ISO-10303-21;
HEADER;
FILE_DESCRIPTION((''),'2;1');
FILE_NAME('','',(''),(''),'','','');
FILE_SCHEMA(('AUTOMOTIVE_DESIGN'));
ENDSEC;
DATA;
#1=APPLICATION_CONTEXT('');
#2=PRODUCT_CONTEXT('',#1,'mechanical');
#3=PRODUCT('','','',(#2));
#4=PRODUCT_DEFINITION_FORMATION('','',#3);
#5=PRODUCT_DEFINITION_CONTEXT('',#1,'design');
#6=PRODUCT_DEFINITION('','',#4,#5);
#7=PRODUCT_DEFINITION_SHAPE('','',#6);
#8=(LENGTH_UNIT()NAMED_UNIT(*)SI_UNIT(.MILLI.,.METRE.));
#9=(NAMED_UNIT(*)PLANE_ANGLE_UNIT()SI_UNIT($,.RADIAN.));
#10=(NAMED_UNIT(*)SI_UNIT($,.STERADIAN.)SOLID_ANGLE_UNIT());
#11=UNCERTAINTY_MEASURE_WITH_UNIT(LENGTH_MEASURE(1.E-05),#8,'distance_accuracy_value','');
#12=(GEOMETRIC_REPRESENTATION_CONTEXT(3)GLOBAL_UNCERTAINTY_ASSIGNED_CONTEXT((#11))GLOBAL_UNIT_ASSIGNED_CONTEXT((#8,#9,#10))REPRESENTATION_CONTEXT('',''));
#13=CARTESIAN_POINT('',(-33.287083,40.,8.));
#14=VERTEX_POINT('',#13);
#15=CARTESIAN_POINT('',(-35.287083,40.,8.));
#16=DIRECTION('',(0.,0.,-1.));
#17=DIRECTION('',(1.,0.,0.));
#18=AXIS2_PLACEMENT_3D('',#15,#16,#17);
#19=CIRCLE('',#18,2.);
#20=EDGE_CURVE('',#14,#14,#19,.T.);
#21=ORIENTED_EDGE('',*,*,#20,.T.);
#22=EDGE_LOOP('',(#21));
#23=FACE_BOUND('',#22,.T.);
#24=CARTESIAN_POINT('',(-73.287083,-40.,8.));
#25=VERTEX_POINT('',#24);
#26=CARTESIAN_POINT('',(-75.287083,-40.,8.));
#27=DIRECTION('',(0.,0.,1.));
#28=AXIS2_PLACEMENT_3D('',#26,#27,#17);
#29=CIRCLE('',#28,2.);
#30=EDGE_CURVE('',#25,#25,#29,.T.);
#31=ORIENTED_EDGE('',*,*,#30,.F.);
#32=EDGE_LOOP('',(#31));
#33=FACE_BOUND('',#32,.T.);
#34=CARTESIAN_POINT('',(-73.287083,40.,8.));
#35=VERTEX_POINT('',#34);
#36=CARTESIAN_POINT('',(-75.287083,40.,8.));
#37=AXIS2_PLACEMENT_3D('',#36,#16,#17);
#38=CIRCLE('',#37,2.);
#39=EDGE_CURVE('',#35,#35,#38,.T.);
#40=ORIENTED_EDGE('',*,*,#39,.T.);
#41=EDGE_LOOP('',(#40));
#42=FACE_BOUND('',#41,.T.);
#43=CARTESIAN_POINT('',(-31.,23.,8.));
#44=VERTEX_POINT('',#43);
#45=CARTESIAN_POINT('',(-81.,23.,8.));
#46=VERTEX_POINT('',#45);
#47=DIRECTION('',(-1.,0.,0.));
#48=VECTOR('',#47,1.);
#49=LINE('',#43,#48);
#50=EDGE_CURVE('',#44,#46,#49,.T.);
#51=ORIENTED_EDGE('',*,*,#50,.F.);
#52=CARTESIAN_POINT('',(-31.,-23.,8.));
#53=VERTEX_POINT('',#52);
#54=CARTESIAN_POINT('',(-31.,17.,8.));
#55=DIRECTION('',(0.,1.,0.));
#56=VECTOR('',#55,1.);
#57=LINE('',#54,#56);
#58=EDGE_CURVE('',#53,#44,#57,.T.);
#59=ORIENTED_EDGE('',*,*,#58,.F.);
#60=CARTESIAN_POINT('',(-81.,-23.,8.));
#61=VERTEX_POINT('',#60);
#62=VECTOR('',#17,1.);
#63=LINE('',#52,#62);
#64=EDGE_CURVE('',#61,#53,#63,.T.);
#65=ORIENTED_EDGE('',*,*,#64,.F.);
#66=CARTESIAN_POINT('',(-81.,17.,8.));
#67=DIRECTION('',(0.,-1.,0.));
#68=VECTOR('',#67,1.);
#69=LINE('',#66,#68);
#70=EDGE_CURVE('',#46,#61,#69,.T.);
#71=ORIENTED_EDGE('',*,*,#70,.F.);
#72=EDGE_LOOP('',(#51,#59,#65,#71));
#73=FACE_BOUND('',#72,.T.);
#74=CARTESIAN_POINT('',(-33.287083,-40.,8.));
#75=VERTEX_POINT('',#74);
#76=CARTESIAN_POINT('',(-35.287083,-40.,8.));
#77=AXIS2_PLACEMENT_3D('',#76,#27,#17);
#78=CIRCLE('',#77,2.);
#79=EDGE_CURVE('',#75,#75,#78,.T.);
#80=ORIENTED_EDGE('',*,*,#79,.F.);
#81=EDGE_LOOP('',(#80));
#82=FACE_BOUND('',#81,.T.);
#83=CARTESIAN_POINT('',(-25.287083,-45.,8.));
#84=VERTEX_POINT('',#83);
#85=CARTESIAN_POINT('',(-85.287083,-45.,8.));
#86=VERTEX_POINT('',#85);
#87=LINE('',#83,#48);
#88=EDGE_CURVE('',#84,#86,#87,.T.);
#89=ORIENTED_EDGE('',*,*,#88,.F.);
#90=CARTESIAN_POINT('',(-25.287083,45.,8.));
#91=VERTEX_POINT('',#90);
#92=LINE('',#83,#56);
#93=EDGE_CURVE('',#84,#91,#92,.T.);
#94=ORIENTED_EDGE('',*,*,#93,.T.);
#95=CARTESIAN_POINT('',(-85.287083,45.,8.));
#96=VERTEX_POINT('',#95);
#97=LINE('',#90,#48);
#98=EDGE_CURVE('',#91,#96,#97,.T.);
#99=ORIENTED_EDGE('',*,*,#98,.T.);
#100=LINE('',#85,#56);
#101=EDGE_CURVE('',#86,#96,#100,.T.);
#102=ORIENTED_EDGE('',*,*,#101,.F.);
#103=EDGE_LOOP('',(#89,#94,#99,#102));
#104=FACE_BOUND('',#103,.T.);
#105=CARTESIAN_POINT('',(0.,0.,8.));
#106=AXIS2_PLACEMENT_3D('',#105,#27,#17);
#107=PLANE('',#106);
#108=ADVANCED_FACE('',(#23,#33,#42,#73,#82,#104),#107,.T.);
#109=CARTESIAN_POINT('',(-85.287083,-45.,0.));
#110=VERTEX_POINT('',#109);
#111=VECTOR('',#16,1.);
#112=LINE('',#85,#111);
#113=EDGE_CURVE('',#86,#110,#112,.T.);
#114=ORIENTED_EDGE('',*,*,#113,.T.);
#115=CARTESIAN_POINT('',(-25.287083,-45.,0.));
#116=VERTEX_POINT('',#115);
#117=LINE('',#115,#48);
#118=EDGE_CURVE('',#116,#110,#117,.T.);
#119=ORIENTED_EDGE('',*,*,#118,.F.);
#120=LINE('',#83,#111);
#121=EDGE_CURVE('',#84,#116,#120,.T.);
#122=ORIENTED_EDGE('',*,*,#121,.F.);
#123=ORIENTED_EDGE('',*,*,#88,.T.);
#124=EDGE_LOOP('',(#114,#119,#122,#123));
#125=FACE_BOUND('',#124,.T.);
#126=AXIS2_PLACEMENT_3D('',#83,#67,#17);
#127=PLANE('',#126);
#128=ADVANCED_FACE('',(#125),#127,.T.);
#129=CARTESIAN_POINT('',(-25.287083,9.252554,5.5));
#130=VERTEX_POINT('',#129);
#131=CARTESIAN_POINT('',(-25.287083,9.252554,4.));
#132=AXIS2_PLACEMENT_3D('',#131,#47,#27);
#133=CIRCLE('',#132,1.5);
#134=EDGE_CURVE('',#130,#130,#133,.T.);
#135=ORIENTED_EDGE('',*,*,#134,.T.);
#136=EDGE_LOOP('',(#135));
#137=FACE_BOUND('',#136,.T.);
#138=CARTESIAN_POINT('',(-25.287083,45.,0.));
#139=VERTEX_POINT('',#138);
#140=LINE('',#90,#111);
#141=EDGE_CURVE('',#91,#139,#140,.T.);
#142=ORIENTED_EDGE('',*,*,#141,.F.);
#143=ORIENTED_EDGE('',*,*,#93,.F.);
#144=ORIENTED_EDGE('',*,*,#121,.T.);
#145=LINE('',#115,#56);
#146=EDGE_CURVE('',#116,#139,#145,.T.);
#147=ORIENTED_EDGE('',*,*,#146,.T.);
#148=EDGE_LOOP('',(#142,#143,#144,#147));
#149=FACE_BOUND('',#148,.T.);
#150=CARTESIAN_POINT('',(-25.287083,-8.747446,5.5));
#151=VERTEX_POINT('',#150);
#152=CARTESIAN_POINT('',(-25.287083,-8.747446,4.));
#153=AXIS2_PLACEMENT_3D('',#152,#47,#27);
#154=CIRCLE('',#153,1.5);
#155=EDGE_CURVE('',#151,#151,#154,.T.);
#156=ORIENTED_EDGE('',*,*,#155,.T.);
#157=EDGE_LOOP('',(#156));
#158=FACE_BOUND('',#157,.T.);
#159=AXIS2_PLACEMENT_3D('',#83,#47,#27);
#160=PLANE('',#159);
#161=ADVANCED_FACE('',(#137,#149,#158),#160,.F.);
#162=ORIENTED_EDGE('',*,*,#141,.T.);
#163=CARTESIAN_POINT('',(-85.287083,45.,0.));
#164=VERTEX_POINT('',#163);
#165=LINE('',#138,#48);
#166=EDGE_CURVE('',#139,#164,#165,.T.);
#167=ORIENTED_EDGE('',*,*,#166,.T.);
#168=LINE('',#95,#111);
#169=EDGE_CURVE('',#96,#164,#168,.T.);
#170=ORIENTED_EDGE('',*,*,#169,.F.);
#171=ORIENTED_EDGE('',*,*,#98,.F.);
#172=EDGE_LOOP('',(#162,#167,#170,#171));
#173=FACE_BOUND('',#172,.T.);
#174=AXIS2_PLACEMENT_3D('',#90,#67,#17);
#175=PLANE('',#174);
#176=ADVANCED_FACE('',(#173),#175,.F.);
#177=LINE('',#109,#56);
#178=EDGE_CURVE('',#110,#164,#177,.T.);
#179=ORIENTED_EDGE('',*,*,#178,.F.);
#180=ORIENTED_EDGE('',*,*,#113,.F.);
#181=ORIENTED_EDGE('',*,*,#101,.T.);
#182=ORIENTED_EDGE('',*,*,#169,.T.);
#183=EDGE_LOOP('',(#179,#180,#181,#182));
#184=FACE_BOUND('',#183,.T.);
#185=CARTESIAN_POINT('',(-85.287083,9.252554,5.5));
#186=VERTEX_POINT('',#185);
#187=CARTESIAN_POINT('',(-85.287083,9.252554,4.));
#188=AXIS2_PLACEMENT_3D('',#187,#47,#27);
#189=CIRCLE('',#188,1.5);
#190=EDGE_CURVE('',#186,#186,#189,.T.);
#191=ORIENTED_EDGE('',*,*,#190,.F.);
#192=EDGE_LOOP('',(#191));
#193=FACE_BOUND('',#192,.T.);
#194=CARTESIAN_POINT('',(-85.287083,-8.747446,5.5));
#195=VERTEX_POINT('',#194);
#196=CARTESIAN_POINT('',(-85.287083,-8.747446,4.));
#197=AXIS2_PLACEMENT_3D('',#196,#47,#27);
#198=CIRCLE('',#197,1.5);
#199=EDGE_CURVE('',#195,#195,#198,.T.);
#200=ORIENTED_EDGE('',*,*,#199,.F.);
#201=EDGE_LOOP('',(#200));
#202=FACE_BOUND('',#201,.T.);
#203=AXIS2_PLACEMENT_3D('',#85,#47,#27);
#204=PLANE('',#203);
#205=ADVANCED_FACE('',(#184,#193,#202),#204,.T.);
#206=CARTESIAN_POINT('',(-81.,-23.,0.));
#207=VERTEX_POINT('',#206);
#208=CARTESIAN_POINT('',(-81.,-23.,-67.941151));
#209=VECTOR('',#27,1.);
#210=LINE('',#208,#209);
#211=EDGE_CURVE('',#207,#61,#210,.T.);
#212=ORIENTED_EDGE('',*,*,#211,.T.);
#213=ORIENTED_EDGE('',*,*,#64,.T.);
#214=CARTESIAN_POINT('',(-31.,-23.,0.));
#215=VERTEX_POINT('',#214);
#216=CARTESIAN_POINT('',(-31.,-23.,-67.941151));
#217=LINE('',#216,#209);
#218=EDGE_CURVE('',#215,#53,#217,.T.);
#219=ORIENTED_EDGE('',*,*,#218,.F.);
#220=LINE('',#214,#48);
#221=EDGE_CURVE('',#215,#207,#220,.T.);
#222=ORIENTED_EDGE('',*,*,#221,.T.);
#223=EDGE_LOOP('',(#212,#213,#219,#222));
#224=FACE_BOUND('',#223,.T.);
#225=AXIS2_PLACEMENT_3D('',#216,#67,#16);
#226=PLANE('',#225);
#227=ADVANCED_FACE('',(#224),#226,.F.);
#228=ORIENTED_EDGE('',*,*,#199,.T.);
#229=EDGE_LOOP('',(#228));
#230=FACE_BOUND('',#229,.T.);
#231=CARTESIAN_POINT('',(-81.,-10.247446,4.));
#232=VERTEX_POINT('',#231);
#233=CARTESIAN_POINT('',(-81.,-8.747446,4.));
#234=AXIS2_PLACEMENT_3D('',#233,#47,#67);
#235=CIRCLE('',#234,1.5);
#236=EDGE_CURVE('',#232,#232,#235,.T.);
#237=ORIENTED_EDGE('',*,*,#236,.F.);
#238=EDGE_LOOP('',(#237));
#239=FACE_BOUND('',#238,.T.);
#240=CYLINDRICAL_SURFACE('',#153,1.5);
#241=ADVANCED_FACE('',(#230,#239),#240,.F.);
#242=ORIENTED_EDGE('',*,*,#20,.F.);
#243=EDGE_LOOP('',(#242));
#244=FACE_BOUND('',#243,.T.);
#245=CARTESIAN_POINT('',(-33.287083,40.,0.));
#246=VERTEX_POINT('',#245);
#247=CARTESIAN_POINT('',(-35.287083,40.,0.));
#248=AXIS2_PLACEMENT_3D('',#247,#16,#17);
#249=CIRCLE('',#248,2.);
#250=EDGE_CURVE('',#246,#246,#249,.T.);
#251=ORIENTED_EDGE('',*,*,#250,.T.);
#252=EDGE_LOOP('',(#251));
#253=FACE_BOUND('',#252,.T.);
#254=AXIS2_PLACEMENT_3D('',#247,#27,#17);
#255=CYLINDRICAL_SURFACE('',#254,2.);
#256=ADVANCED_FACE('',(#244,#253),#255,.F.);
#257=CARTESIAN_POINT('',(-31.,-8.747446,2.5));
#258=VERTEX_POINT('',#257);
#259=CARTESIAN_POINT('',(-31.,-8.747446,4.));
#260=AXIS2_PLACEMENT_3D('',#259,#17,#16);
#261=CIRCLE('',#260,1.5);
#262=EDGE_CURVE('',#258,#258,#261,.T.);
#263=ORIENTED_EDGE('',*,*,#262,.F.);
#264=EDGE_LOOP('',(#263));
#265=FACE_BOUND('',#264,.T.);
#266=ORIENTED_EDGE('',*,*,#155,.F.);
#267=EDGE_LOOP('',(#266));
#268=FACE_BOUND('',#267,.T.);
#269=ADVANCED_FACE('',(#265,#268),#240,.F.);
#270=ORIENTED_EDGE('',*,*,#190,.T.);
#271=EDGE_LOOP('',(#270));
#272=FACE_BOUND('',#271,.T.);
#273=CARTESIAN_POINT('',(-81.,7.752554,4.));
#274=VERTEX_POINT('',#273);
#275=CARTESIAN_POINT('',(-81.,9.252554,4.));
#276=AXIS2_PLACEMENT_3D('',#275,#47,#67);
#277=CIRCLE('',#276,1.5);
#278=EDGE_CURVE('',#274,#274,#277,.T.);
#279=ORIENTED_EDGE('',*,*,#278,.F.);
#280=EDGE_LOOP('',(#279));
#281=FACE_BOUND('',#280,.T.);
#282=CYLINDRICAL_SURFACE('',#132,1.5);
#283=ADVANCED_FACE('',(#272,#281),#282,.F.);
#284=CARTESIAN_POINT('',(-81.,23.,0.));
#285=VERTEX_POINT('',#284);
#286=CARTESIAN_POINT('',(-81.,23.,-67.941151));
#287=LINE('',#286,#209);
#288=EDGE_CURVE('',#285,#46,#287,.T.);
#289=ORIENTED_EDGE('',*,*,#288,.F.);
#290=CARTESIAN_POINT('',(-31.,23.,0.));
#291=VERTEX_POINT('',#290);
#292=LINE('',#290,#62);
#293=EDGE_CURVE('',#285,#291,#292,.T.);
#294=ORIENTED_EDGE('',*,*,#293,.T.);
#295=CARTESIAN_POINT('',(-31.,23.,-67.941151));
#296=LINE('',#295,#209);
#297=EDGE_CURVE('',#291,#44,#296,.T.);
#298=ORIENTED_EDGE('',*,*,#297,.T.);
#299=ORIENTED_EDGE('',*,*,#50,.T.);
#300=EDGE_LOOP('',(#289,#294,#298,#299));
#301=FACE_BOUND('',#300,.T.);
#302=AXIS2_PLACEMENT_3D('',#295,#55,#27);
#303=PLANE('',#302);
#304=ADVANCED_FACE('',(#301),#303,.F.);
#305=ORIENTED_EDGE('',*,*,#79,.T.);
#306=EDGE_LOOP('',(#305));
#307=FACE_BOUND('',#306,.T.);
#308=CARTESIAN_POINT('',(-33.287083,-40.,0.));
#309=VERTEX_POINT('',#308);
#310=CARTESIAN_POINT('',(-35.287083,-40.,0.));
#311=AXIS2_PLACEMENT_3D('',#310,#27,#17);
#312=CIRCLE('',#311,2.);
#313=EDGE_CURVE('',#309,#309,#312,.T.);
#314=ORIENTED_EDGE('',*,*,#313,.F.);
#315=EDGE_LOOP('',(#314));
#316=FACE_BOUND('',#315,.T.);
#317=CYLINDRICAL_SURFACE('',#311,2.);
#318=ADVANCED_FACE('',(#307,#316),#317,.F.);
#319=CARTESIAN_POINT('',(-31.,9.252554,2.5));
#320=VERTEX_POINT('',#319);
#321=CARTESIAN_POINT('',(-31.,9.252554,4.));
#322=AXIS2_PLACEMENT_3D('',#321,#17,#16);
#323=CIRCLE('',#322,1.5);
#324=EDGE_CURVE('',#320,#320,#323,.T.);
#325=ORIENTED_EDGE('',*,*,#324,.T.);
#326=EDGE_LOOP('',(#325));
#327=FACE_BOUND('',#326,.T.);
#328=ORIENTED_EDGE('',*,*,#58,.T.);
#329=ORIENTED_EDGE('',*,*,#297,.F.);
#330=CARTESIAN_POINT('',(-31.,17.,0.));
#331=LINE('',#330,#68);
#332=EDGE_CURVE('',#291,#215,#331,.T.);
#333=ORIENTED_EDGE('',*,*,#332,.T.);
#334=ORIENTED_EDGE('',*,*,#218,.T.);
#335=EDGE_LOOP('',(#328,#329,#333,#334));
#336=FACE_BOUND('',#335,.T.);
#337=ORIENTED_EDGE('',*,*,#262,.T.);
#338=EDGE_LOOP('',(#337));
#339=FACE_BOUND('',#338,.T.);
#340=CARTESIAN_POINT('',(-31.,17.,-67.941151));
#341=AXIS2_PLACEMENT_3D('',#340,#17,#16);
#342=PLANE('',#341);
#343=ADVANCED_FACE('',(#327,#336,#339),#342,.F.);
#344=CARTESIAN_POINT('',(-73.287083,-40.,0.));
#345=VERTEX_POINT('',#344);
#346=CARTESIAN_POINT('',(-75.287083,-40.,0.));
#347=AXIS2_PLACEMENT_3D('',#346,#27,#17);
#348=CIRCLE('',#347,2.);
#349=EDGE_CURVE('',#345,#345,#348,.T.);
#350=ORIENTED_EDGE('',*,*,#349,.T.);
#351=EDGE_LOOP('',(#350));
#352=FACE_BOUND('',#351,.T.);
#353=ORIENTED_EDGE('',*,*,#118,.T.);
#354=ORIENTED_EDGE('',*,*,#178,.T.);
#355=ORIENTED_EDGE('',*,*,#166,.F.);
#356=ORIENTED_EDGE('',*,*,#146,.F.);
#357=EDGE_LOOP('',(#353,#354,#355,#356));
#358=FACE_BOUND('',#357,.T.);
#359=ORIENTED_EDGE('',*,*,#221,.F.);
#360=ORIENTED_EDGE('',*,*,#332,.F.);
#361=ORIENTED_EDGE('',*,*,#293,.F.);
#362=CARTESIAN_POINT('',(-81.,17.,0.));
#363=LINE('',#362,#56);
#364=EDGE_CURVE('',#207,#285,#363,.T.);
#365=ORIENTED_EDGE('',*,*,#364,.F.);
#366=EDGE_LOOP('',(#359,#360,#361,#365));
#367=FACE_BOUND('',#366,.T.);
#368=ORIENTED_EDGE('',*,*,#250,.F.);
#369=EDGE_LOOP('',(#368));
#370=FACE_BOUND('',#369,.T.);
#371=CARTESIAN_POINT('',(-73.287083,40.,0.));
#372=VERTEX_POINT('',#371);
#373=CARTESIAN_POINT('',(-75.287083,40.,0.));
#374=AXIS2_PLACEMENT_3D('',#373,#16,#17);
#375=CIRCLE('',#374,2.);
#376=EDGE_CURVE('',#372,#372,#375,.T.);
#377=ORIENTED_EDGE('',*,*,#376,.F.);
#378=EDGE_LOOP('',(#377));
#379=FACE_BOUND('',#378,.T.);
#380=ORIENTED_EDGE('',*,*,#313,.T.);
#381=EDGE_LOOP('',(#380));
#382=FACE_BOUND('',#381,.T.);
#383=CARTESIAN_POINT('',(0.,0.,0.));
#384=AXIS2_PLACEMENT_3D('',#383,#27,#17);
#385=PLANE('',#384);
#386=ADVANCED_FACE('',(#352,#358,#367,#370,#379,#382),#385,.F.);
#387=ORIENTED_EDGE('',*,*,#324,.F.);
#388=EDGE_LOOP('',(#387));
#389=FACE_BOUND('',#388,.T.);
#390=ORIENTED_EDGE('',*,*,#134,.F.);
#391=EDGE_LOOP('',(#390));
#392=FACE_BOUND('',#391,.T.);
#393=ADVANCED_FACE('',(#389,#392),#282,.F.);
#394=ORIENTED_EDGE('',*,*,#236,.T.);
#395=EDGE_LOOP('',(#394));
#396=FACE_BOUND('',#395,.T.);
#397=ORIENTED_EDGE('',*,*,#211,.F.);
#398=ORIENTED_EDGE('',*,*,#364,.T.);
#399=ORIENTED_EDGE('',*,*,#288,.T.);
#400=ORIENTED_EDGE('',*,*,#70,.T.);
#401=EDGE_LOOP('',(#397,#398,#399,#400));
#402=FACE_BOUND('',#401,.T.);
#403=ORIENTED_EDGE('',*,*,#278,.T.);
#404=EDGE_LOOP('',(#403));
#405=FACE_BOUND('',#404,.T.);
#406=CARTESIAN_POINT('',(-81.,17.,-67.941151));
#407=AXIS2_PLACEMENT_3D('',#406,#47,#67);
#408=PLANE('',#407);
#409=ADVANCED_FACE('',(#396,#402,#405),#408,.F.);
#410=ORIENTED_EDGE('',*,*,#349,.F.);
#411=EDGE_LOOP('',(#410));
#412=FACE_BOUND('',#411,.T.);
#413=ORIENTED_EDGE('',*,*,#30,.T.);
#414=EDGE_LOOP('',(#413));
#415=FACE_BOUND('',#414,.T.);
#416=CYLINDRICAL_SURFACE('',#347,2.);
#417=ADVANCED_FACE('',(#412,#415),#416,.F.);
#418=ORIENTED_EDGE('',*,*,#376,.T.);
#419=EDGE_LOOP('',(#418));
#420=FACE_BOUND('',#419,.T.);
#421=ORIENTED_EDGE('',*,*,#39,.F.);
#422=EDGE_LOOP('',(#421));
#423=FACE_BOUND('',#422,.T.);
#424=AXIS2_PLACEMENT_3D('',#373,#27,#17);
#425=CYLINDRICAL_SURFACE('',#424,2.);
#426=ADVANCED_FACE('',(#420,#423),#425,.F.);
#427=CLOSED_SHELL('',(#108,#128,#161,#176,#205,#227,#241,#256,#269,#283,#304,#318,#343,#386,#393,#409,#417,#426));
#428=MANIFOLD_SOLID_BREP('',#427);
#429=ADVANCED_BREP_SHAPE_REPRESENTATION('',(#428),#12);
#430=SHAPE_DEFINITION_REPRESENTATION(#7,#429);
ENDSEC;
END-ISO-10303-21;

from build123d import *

# Parameters (mm, degrees)
SKETCH_1_W          = 60
SKETCH_1_H          = 90
EXTRUDE_1_DEPTH     = 8
CUT_EXTRUDE_1_REACH = 98.762
SKETCH_3_R          = 2
CUT_EXTRUDE_2_DEPTH = 97.762010118
SKETCH_4_R          = 1.5
CUT_EXTRUDE_3_DEPTH = 76.425459893


with BuildPart() as part:
    # 草图1 → 凸台-拉伸1 (new body)
    with BuildSketch(Plane.XY):
        with Locations((-55.287083442, 0)):
            Rectangle(SKETCH_1_W, SKETCH_1_H)
    extrude(amount=EXTRUDE_1_DEPTH)

    # 草图2 → 切除-拉伸1 (cut, up to next)
    with BuildSketch(Plane.XY.offset(8), mode=Mode.PRIVATE) as cut_extrude_1_sk1:
        Polygon((-81, 17), (-81, 23), (-31, 23), (-31, 17), (-31, -17), (-31, -23), (-81, -23), (-81, -17), align=None)
    cut_extrude_1_tool1 = extrude(cut_extrude_1_sk1.sketch, amount=-CUT_EXTRUDE_1_REACH, mode=Mode.PRIVATE) & part.part
    add(cut_extrude_1_tool1.solids().sort_by_distance((-56, 0, 8))[0], mode=Mode.SUBTRACT)

    # 草图3 → 切除-拉伸2 (cut, through all)
    with BuildSketch(Plane.XY.offset(8)):
        with Locations((-75.287083442, -40)):
            Circle(SKETCH_3_R)
        with Locations((-35.287083442, -40)):
            Circle(SKETCH_3_R)
    cut_extrude_2 = extrude(amount=-CUT_EXTRUDE_2_DEPTH, mode=Mode.SUBTRACT)

    # 镜向1: 切除-拉伸2 across plane
    add(cut_extrude_2.mirror(Plane.ZX), mode=Mode.SUBTRACT)

    # 草图4 → 切除-拉伸3 (cut, through all)
    with BuildSketch(Plane.ZY.offset(85.287083442)):
        with Locations((4, -8.747446088)):
            Circle(SKETCH_4_R)
        with Locations((4, 9.252553912)):
            Circle(SKETCH_4_R)
    extrude(amount=-CUT_EXTRUDE_3_DEPTH, mode=Mode.SUBTRACT)


solid = part.part
